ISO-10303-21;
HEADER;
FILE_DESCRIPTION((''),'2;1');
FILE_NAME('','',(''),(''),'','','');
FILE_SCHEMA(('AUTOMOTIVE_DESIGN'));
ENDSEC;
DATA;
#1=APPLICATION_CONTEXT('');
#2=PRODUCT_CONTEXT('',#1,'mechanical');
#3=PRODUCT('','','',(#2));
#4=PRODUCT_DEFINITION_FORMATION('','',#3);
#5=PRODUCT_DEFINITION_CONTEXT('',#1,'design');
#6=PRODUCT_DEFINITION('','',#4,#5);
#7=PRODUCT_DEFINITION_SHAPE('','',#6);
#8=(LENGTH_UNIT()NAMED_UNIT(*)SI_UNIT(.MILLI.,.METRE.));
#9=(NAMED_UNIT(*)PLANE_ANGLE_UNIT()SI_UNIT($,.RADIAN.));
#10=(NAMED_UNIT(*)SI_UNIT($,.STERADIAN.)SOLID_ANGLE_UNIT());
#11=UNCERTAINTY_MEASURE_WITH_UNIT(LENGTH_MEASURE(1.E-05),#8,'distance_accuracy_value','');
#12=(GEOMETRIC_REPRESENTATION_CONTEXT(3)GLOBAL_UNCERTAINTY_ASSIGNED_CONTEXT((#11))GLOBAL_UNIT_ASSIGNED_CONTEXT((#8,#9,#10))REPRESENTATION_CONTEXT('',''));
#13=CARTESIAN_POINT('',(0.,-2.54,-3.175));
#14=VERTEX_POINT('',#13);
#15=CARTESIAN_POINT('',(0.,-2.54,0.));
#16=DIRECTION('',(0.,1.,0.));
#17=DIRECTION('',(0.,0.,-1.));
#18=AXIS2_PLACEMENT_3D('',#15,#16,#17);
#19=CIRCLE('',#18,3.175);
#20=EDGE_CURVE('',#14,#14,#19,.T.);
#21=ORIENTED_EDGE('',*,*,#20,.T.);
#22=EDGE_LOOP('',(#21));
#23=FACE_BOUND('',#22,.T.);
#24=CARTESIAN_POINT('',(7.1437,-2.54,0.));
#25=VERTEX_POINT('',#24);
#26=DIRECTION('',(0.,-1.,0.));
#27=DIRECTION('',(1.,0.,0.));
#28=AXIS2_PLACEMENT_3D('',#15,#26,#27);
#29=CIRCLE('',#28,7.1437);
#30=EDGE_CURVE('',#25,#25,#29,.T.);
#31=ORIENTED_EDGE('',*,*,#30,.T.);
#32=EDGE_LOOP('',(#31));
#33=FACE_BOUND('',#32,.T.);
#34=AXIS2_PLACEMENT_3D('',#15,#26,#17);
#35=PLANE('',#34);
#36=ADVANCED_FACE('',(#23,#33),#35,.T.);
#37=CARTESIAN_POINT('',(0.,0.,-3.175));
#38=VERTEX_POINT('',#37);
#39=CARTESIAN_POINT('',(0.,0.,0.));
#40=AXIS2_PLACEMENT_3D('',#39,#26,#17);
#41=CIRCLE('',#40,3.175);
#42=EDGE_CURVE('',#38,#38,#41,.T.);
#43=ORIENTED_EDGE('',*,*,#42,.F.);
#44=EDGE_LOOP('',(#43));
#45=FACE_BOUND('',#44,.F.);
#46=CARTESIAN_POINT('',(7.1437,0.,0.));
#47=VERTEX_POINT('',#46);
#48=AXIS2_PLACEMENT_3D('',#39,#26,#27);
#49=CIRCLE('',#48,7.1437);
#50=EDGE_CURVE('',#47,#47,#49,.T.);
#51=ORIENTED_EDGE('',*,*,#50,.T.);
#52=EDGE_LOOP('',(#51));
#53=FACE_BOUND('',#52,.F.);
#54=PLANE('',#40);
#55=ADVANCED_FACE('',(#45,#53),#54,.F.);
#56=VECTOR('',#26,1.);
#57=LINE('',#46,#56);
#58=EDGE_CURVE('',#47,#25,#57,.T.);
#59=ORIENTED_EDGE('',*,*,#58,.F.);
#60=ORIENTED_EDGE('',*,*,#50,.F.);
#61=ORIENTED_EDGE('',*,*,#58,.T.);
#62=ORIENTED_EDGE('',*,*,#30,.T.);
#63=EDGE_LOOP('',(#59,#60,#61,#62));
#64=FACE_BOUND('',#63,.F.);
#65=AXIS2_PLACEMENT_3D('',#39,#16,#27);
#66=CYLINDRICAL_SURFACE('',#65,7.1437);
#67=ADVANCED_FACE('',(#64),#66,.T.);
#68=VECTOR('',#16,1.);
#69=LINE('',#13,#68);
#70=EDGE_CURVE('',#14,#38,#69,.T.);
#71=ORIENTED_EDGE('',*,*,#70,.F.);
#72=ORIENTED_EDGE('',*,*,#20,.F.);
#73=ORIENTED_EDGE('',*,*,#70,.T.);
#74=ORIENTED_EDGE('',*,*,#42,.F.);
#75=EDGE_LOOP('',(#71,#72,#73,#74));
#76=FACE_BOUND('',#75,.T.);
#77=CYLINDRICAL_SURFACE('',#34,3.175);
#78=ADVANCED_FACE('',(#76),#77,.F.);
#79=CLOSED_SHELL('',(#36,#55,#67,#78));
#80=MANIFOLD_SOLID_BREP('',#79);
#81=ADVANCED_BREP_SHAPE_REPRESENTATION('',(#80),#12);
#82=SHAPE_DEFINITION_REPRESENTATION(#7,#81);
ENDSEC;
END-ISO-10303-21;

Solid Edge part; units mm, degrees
sketch "Sketch1" plane through (0, 0, 0) normal (0, -1, 0) x (1, 0, 0)
  circle A0 centre (0, 0) radius 7.1437
  dimension "D1" = 14.2875
extrude "Protrusion1" add sketch "Sketch1" along normal blind 2.54
hole "Hole_1" at (0, -2.54, 0) direction (0, 1, 0) diameter 6.35 end up to next
properties part number "6655K13"
